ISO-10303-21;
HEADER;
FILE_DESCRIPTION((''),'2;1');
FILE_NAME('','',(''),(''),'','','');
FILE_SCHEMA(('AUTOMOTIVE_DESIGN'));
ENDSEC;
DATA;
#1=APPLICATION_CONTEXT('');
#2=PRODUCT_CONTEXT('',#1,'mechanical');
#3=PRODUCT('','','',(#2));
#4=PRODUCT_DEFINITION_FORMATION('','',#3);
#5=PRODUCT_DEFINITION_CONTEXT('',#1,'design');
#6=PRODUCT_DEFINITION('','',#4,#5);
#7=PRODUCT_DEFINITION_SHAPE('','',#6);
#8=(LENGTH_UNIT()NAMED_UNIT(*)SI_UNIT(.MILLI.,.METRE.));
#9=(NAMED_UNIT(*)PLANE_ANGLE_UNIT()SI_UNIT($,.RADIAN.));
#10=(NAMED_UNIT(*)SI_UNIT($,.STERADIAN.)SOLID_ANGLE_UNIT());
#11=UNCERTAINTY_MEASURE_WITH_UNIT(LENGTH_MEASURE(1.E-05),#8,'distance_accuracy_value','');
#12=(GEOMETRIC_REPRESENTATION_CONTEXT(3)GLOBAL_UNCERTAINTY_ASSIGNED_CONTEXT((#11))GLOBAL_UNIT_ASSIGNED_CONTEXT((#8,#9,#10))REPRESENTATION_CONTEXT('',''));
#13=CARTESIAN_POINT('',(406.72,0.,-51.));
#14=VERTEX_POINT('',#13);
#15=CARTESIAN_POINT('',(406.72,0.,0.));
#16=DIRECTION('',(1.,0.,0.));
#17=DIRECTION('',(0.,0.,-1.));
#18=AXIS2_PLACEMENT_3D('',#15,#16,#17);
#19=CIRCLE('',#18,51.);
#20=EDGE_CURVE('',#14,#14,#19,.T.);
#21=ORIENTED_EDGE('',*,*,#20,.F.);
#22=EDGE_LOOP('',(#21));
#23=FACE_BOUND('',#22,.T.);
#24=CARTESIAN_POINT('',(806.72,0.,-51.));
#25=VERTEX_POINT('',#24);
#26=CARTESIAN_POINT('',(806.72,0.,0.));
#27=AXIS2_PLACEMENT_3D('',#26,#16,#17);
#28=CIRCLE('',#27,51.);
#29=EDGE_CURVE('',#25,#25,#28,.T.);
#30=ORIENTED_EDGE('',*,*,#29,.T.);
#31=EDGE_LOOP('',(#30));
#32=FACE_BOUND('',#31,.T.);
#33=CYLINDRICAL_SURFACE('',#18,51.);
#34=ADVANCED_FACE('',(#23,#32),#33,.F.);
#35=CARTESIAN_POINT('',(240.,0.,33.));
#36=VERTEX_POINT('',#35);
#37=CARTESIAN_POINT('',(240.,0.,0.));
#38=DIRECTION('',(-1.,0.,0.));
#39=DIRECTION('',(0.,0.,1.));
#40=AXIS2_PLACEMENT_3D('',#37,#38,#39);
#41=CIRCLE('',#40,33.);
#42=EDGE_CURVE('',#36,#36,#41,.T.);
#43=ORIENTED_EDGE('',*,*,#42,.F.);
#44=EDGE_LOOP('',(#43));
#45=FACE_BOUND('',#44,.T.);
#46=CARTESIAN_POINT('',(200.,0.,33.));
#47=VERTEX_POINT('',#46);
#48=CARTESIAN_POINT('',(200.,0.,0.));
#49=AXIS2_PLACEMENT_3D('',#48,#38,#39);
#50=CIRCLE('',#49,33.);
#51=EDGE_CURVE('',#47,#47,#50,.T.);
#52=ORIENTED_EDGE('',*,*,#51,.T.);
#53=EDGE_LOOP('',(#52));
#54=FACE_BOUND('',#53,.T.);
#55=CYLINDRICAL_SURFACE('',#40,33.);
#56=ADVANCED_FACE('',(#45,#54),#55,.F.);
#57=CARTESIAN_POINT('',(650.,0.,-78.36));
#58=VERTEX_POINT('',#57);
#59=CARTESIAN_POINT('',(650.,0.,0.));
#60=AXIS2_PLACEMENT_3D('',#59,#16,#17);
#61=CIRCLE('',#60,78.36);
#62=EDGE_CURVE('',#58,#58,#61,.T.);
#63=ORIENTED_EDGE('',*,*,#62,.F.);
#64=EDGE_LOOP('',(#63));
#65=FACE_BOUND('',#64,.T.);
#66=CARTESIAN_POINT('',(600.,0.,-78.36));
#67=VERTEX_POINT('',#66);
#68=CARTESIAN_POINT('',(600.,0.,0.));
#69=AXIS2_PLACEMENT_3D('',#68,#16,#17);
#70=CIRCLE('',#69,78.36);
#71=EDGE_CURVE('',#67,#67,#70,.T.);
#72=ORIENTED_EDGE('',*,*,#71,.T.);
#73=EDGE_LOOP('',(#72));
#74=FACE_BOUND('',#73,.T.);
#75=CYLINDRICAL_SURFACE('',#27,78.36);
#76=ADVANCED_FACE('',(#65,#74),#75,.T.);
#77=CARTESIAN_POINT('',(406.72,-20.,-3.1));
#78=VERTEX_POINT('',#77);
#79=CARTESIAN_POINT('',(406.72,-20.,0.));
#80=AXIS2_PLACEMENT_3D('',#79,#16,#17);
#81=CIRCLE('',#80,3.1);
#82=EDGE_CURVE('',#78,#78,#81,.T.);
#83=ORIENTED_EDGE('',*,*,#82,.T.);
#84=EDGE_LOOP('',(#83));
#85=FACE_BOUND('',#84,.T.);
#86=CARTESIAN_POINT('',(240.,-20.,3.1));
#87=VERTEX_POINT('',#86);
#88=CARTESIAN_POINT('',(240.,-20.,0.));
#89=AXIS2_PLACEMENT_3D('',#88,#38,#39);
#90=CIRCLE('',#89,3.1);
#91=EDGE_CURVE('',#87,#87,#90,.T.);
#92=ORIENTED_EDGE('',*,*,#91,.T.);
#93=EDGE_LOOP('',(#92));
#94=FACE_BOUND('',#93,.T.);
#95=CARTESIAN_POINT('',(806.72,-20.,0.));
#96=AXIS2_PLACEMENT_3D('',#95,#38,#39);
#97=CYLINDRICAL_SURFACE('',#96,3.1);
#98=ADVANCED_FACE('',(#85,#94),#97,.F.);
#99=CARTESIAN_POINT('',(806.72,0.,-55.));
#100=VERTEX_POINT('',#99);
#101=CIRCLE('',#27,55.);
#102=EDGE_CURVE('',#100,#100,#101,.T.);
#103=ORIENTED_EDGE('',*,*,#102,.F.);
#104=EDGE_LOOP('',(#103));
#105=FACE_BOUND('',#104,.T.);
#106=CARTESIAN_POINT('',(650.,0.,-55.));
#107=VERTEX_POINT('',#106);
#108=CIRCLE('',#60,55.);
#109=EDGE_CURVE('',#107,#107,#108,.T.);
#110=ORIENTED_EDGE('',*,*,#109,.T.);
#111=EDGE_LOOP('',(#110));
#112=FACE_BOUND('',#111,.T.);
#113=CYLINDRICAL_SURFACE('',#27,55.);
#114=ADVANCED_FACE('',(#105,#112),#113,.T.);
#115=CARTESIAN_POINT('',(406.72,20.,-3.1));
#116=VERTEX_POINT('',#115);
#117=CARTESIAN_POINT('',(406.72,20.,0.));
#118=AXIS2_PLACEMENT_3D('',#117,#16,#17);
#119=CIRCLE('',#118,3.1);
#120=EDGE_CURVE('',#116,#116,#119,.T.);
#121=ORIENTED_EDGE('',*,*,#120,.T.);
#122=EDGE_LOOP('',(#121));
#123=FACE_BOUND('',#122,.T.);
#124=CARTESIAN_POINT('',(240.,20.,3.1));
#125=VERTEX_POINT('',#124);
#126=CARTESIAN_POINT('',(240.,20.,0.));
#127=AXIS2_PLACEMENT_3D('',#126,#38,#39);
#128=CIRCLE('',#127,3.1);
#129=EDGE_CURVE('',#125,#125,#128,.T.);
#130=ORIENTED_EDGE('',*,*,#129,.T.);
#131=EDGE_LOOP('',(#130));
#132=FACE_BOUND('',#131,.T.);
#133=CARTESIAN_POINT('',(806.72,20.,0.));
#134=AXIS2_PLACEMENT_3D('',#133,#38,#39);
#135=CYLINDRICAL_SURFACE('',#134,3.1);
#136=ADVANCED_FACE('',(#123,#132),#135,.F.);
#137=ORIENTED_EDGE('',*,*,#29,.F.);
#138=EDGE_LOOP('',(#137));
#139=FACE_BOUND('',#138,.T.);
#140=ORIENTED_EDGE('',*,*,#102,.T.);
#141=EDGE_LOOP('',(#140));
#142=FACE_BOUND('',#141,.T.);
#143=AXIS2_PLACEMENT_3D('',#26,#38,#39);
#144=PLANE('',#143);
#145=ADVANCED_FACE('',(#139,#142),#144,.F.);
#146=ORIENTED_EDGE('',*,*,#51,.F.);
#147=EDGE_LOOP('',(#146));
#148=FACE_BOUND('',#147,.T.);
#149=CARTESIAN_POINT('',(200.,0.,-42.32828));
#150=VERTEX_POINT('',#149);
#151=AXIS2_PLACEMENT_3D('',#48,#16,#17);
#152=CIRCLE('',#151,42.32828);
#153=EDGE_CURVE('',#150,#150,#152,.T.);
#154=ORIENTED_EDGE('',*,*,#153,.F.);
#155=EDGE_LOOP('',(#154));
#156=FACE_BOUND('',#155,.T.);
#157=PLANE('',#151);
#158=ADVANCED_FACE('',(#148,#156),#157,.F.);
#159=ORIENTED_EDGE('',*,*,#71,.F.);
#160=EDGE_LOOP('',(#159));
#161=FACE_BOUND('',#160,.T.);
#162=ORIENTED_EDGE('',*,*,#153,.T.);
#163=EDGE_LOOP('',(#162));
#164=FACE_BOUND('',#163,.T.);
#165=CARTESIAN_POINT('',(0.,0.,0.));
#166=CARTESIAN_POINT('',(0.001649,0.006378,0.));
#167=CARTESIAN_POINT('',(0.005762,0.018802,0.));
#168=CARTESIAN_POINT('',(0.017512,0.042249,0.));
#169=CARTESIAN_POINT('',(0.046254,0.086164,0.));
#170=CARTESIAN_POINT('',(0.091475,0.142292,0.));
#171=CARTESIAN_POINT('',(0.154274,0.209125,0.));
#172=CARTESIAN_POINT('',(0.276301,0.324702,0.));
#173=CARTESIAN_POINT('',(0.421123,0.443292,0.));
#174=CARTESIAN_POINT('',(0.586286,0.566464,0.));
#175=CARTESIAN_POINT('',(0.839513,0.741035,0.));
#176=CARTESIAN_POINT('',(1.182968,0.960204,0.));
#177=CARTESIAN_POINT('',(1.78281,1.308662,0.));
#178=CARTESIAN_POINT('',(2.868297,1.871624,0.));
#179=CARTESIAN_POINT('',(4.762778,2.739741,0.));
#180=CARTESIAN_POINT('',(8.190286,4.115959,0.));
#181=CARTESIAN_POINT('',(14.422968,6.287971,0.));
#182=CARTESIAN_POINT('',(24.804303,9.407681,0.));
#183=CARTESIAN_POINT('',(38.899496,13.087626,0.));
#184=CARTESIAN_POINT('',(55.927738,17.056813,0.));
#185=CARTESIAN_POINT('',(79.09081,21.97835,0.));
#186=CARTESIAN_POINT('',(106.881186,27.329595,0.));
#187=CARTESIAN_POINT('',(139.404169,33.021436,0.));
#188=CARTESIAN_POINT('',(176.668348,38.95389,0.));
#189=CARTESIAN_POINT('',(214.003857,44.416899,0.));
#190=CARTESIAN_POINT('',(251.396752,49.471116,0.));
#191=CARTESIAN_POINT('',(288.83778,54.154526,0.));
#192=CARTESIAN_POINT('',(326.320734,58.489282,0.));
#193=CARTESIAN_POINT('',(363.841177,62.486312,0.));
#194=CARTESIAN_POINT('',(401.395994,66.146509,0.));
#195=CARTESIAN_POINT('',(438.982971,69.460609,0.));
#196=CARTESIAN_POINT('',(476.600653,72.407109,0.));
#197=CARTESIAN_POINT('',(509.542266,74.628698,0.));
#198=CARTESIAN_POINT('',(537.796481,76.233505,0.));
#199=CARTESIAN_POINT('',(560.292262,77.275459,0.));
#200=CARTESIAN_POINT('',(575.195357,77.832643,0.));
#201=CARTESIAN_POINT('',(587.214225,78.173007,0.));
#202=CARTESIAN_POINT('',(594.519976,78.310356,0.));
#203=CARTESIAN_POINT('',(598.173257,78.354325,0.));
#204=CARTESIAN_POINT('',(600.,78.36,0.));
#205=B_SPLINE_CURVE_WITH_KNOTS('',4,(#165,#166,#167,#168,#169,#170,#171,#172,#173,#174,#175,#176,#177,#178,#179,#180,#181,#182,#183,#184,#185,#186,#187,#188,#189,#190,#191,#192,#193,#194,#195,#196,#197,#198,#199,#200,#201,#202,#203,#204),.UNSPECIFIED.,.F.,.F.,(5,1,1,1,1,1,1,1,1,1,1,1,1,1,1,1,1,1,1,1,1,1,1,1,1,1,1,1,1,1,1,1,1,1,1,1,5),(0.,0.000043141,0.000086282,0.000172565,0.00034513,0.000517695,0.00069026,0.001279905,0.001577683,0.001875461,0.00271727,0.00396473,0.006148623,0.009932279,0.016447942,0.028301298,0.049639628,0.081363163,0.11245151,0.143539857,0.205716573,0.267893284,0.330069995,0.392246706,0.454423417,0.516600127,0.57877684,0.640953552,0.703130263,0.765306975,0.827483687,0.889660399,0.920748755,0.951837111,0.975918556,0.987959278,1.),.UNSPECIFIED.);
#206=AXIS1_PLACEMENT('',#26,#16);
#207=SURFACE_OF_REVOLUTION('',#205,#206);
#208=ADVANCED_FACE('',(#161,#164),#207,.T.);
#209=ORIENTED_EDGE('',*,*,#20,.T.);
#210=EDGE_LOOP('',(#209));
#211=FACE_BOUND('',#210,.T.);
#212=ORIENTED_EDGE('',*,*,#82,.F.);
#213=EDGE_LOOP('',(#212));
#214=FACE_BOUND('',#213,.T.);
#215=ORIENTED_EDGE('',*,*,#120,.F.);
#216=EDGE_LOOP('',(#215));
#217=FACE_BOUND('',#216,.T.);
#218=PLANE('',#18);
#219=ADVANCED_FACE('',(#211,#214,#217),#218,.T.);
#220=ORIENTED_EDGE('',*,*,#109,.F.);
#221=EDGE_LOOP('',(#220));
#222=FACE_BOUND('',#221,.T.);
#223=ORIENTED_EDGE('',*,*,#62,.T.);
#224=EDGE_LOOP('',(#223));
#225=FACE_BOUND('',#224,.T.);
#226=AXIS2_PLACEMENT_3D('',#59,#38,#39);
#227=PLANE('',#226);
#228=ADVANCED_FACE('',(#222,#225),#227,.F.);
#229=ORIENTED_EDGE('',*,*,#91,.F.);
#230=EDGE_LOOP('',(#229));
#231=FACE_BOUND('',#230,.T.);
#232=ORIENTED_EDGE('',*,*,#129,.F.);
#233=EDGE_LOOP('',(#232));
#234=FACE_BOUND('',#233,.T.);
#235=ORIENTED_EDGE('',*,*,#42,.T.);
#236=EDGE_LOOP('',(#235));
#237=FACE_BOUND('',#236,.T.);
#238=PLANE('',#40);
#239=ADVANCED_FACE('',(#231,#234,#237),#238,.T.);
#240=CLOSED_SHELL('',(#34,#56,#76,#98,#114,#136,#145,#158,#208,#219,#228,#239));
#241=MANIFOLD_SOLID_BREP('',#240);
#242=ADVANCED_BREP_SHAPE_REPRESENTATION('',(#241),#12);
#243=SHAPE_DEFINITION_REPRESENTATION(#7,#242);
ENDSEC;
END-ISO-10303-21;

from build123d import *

# Parameters (mm, degrees)
SKETCH2_R          = 51
CUT_EXTRUDE1_DEPTH = 400
SKETCH3_R          = 33
SKETCH3_R_2        = 3.1
CUT_EXTRUDE2_DEPTH = 40
SKETCH3_2_R        = 3.1
CUT_EXTRUDE4_DEPTH = 617.757438246


with BuildPart() as part:
    # Sketch1 → Revolve1 (revolve)
    with BuildSketch(Plane.XY):
        with BuildLine():
            Line((650, 78.36), (600, 78.36))
            add(Edge.make_bspline(
                [(200, 42.32828037), (208.17052038, 43.513954023), (225.684887064, 45.995278148), (252.564625249, 49.617202919), (288.837779512, 54.154525537), (326.320734141, 58.489281574), (363.841177133, 62.486312126), (401.395994208, 66.14650922), (438.982971251, 69.460608736), (476.600652971, 72.407109383), (509.54226569, 74.628697811), (537.796481139, 76.233504653), (560.29226218, 77.275459401), (575.195356704, 77.83264328), (587.214225045, 78.173006727), (594.519976189, 78.310355882), (598.17325676, 78.35432466), (600, 78.36)],
                knots=[0.337827743, 0.337827743, 0.337827743, 0.337827743, 0.337827743, 0.392246706, 0.454423417, 0.516600127, 0.57877684, 0.640953552, 0.703130263, 0.765306975, 0.827483687, 0.889660399, 0.920748755, 0.951837111, 0.975918556, 0.987959278, 1, 1, 1, 1, 1], degree=4))
            Line((200, 42.32828037), (200, 0))
            Line((200, 0), (806.72, 0))
            Line((806.72, 0), (806.72, 55))
            Line((806.72, 55), (650, 55))
            Line((650, 55), (650, 78.36))
        make_face()
    revolve(axis=Axis((806.72, 0, 0), (-1, 0, 0)))

    # Sketch2 → Cut-Extrude1 (cut)
    with BuildSketch(Plane(origin=(806.72, 0, 0), x_dir=(0, 0, -1), z_dir=(1, 0, 0))):
        Circle(SKETCH2_R)
    extrude(amount=-CUT_EXTRUDE1_DEPTH, mode=Mode.SUBTRACT)

    # Sketch3 → Cut-Extrude2 (cut)
    with BuildSketch(Plane.ZY.offset(-200)):
        Circle(SKETCH3_R)
        with Locations((0, 20)):
            Circle(SKETCH3_R_2, mode=Mode.SUBTRACT)
        with Locations((0, -20)):
            Circle(SKETCH3_R_2, mode=Mode.SUBTRACT)
    extrude(amount=-CUT_EXTRUDE2_DEPTH, mode=Mode.SUBTRACT)

    # Sketch3<2> → Cut-Extrude4 (cut, through all)
    with BuildSketch(Plane.ZY.offset(-200)):
        with Locations((0, 20)):
            Circle(SKETCH3_2_R)
        with Locations((0, -20)):
            Circle(SKETCH3_2_R)
    extrude(amount=-CUT_EXTRUDE4_DEPTH, mode=Mode.SUBTRACT)


solid = part.part
